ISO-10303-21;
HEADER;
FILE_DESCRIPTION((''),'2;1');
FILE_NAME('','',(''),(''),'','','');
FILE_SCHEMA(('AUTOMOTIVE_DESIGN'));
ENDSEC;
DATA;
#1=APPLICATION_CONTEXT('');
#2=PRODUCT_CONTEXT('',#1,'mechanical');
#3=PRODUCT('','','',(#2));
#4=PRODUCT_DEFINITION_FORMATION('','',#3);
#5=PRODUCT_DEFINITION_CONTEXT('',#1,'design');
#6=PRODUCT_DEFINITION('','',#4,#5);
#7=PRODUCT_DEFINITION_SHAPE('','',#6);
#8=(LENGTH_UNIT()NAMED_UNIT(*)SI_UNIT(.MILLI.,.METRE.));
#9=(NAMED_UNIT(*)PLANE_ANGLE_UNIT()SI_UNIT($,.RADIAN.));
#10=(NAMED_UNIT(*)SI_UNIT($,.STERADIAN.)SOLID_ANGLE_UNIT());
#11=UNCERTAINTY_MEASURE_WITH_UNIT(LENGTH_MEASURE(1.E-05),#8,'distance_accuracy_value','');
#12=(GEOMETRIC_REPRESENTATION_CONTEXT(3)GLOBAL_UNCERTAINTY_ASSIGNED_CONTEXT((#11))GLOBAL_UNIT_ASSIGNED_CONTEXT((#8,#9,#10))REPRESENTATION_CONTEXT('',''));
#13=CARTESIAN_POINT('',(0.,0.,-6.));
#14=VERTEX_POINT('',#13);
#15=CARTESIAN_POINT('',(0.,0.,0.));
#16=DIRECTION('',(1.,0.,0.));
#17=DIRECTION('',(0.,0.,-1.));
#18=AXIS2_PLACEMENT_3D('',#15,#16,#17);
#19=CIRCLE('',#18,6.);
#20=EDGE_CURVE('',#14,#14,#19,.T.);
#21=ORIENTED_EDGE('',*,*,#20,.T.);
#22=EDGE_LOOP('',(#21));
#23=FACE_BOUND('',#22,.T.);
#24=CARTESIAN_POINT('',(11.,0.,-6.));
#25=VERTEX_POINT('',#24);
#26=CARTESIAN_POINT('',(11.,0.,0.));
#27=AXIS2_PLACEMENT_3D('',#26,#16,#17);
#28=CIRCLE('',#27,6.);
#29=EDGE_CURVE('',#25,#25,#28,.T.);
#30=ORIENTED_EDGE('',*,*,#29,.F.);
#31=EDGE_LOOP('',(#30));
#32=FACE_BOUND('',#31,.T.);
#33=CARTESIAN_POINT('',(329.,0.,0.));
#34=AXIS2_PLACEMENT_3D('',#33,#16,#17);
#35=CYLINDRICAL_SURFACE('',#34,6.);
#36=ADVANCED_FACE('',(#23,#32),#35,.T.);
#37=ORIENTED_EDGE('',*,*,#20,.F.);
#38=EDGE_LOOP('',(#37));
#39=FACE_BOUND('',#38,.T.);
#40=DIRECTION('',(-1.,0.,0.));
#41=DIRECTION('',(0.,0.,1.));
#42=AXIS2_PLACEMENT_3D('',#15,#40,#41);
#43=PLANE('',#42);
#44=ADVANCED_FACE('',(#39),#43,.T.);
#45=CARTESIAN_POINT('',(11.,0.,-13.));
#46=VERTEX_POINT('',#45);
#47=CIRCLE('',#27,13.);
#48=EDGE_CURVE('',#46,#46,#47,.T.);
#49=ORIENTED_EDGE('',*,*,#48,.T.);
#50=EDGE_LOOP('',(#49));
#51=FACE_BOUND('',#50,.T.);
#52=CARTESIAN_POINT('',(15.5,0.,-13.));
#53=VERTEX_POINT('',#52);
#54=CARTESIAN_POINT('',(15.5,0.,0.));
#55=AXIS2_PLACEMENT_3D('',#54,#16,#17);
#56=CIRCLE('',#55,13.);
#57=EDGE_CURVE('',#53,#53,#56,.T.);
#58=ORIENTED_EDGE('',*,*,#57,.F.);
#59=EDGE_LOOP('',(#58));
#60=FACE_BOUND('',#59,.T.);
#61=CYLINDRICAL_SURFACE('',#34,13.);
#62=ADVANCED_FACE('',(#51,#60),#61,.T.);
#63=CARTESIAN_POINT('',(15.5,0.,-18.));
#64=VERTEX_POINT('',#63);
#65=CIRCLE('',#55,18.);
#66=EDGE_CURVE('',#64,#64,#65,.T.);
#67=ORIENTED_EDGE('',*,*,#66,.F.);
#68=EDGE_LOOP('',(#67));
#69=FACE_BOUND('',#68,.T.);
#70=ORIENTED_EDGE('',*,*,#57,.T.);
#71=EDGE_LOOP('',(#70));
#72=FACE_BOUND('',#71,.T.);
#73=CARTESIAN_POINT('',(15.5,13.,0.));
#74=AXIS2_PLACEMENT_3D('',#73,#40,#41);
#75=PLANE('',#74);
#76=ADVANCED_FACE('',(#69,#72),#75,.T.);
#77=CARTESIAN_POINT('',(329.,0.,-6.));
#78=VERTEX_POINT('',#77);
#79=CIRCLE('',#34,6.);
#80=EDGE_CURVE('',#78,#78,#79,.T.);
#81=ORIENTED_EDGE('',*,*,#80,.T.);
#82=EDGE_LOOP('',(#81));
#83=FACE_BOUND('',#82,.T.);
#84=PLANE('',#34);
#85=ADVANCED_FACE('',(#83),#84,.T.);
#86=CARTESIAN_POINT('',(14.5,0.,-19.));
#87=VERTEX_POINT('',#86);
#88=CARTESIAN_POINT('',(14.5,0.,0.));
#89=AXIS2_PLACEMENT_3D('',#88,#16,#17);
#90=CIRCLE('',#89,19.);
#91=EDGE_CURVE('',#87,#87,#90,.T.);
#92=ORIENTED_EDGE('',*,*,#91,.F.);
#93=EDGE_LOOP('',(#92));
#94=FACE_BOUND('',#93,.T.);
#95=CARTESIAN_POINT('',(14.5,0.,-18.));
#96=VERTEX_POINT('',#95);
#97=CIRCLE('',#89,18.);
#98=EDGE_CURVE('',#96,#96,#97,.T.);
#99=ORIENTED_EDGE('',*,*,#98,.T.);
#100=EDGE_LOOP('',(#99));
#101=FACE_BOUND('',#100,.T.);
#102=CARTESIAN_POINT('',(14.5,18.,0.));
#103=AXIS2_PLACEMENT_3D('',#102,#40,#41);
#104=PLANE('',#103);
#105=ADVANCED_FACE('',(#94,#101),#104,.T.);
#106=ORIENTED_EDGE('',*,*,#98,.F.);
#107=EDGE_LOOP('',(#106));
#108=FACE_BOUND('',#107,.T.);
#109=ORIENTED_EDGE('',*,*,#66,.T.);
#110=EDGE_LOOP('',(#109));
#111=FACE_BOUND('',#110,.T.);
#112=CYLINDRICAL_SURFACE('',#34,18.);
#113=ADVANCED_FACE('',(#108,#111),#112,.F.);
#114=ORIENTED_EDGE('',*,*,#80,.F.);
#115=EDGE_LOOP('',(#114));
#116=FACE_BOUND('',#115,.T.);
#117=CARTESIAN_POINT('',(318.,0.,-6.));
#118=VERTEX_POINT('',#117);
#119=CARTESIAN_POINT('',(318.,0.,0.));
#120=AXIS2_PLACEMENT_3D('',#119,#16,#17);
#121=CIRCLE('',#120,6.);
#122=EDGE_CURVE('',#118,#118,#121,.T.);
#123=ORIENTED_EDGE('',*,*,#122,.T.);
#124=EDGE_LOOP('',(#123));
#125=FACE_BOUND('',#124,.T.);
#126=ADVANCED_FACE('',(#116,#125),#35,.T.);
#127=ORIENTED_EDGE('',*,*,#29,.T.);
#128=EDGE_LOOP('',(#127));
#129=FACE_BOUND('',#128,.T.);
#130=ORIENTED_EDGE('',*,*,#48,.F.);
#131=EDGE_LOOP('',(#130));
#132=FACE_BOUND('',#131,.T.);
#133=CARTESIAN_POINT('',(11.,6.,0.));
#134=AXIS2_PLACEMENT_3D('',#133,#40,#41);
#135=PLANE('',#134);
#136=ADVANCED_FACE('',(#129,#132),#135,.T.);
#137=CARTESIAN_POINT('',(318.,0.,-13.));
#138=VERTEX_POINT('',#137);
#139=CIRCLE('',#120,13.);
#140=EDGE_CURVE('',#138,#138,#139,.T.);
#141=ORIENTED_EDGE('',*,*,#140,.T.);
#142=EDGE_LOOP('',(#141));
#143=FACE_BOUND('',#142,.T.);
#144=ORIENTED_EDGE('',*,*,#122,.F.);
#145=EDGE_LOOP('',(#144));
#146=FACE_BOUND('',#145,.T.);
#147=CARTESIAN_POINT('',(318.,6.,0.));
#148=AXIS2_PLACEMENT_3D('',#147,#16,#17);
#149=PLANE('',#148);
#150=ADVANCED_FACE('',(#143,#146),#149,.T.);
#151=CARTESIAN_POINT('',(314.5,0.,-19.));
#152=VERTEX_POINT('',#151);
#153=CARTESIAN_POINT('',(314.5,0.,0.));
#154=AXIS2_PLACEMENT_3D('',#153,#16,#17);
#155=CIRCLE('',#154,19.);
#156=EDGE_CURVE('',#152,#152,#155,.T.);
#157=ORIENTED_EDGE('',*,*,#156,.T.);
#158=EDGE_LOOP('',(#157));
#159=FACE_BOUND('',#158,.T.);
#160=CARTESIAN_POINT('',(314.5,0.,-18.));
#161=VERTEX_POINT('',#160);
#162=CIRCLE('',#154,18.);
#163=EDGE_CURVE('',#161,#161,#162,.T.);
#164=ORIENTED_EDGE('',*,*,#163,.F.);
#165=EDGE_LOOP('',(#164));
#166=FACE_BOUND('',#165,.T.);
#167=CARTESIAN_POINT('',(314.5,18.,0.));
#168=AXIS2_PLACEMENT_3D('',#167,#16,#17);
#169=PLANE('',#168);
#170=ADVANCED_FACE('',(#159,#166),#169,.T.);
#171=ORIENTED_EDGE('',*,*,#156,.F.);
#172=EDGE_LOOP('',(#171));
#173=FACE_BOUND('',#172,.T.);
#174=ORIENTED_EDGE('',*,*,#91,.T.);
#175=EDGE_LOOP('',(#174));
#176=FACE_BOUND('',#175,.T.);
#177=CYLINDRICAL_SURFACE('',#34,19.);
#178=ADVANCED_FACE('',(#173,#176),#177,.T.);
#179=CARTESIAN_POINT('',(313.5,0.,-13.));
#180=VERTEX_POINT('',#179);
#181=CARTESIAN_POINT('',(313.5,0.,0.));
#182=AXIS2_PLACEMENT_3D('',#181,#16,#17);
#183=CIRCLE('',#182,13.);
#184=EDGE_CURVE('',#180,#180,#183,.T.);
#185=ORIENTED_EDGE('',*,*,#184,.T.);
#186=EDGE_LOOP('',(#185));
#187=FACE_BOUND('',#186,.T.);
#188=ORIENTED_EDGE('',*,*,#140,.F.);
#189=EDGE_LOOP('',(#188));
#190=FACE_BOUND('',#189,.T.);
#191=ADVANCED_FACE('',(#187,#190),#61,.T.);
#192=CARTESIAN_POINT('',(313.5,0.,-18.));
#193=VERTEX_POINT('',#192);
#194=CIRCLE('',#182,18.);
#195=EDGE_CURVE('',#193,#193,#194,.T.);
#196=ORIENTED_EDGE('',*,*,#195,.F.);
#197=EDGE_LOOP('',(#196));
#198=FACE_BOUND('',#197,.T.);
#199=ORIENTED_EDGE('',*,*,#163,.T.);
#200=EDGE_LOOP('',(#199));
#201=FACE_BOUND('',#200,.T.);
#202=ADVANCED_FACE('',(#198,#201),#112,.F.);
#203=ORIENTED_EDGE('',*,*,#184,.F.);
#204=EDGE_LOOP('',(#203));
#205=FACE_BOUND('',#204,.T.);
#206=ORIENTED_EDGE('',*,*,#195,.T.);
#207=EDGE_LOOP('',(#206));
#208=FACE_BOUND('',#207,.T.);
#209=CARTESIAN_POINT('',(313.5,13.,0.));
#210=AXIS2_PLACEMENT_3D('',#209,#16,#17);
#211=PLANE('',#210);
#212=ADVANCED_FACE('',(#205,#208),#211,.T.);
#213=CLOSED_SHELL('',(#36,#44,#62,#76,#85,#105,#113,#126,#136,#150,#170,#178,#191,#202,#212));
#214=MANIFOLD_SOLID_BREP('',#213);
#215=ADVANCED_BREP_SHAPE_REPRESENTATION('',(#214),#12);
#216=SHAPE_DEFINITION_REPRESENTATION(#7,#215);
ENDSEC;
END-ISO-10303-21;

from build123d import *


with BuildPart() as part:
    # 草图1 → 旋转1 (revolve)
    with BuildSketch(Plane.XY, mode=Mode.PRIVATE) as revolve_1_sk:
        Polygon((0, 0), (0, 6), (11, 6), (11, 13), (15.5, 13), (15.5, 18), (14.5, 18), (14.5, 19), (314.5, 19), (314.5, 18), (313.5, 18), (313.5, 13), (318, 13), (318, 6), (329, 6), (329, 0), align=None)
    revolve(revolve_1_sk.sketch.rotate(Axis((329, 0, 0), (1, 0, 0)), 270), axis=Axis((329, 0, 0), (1, 0, 0)))


solid = part.part
